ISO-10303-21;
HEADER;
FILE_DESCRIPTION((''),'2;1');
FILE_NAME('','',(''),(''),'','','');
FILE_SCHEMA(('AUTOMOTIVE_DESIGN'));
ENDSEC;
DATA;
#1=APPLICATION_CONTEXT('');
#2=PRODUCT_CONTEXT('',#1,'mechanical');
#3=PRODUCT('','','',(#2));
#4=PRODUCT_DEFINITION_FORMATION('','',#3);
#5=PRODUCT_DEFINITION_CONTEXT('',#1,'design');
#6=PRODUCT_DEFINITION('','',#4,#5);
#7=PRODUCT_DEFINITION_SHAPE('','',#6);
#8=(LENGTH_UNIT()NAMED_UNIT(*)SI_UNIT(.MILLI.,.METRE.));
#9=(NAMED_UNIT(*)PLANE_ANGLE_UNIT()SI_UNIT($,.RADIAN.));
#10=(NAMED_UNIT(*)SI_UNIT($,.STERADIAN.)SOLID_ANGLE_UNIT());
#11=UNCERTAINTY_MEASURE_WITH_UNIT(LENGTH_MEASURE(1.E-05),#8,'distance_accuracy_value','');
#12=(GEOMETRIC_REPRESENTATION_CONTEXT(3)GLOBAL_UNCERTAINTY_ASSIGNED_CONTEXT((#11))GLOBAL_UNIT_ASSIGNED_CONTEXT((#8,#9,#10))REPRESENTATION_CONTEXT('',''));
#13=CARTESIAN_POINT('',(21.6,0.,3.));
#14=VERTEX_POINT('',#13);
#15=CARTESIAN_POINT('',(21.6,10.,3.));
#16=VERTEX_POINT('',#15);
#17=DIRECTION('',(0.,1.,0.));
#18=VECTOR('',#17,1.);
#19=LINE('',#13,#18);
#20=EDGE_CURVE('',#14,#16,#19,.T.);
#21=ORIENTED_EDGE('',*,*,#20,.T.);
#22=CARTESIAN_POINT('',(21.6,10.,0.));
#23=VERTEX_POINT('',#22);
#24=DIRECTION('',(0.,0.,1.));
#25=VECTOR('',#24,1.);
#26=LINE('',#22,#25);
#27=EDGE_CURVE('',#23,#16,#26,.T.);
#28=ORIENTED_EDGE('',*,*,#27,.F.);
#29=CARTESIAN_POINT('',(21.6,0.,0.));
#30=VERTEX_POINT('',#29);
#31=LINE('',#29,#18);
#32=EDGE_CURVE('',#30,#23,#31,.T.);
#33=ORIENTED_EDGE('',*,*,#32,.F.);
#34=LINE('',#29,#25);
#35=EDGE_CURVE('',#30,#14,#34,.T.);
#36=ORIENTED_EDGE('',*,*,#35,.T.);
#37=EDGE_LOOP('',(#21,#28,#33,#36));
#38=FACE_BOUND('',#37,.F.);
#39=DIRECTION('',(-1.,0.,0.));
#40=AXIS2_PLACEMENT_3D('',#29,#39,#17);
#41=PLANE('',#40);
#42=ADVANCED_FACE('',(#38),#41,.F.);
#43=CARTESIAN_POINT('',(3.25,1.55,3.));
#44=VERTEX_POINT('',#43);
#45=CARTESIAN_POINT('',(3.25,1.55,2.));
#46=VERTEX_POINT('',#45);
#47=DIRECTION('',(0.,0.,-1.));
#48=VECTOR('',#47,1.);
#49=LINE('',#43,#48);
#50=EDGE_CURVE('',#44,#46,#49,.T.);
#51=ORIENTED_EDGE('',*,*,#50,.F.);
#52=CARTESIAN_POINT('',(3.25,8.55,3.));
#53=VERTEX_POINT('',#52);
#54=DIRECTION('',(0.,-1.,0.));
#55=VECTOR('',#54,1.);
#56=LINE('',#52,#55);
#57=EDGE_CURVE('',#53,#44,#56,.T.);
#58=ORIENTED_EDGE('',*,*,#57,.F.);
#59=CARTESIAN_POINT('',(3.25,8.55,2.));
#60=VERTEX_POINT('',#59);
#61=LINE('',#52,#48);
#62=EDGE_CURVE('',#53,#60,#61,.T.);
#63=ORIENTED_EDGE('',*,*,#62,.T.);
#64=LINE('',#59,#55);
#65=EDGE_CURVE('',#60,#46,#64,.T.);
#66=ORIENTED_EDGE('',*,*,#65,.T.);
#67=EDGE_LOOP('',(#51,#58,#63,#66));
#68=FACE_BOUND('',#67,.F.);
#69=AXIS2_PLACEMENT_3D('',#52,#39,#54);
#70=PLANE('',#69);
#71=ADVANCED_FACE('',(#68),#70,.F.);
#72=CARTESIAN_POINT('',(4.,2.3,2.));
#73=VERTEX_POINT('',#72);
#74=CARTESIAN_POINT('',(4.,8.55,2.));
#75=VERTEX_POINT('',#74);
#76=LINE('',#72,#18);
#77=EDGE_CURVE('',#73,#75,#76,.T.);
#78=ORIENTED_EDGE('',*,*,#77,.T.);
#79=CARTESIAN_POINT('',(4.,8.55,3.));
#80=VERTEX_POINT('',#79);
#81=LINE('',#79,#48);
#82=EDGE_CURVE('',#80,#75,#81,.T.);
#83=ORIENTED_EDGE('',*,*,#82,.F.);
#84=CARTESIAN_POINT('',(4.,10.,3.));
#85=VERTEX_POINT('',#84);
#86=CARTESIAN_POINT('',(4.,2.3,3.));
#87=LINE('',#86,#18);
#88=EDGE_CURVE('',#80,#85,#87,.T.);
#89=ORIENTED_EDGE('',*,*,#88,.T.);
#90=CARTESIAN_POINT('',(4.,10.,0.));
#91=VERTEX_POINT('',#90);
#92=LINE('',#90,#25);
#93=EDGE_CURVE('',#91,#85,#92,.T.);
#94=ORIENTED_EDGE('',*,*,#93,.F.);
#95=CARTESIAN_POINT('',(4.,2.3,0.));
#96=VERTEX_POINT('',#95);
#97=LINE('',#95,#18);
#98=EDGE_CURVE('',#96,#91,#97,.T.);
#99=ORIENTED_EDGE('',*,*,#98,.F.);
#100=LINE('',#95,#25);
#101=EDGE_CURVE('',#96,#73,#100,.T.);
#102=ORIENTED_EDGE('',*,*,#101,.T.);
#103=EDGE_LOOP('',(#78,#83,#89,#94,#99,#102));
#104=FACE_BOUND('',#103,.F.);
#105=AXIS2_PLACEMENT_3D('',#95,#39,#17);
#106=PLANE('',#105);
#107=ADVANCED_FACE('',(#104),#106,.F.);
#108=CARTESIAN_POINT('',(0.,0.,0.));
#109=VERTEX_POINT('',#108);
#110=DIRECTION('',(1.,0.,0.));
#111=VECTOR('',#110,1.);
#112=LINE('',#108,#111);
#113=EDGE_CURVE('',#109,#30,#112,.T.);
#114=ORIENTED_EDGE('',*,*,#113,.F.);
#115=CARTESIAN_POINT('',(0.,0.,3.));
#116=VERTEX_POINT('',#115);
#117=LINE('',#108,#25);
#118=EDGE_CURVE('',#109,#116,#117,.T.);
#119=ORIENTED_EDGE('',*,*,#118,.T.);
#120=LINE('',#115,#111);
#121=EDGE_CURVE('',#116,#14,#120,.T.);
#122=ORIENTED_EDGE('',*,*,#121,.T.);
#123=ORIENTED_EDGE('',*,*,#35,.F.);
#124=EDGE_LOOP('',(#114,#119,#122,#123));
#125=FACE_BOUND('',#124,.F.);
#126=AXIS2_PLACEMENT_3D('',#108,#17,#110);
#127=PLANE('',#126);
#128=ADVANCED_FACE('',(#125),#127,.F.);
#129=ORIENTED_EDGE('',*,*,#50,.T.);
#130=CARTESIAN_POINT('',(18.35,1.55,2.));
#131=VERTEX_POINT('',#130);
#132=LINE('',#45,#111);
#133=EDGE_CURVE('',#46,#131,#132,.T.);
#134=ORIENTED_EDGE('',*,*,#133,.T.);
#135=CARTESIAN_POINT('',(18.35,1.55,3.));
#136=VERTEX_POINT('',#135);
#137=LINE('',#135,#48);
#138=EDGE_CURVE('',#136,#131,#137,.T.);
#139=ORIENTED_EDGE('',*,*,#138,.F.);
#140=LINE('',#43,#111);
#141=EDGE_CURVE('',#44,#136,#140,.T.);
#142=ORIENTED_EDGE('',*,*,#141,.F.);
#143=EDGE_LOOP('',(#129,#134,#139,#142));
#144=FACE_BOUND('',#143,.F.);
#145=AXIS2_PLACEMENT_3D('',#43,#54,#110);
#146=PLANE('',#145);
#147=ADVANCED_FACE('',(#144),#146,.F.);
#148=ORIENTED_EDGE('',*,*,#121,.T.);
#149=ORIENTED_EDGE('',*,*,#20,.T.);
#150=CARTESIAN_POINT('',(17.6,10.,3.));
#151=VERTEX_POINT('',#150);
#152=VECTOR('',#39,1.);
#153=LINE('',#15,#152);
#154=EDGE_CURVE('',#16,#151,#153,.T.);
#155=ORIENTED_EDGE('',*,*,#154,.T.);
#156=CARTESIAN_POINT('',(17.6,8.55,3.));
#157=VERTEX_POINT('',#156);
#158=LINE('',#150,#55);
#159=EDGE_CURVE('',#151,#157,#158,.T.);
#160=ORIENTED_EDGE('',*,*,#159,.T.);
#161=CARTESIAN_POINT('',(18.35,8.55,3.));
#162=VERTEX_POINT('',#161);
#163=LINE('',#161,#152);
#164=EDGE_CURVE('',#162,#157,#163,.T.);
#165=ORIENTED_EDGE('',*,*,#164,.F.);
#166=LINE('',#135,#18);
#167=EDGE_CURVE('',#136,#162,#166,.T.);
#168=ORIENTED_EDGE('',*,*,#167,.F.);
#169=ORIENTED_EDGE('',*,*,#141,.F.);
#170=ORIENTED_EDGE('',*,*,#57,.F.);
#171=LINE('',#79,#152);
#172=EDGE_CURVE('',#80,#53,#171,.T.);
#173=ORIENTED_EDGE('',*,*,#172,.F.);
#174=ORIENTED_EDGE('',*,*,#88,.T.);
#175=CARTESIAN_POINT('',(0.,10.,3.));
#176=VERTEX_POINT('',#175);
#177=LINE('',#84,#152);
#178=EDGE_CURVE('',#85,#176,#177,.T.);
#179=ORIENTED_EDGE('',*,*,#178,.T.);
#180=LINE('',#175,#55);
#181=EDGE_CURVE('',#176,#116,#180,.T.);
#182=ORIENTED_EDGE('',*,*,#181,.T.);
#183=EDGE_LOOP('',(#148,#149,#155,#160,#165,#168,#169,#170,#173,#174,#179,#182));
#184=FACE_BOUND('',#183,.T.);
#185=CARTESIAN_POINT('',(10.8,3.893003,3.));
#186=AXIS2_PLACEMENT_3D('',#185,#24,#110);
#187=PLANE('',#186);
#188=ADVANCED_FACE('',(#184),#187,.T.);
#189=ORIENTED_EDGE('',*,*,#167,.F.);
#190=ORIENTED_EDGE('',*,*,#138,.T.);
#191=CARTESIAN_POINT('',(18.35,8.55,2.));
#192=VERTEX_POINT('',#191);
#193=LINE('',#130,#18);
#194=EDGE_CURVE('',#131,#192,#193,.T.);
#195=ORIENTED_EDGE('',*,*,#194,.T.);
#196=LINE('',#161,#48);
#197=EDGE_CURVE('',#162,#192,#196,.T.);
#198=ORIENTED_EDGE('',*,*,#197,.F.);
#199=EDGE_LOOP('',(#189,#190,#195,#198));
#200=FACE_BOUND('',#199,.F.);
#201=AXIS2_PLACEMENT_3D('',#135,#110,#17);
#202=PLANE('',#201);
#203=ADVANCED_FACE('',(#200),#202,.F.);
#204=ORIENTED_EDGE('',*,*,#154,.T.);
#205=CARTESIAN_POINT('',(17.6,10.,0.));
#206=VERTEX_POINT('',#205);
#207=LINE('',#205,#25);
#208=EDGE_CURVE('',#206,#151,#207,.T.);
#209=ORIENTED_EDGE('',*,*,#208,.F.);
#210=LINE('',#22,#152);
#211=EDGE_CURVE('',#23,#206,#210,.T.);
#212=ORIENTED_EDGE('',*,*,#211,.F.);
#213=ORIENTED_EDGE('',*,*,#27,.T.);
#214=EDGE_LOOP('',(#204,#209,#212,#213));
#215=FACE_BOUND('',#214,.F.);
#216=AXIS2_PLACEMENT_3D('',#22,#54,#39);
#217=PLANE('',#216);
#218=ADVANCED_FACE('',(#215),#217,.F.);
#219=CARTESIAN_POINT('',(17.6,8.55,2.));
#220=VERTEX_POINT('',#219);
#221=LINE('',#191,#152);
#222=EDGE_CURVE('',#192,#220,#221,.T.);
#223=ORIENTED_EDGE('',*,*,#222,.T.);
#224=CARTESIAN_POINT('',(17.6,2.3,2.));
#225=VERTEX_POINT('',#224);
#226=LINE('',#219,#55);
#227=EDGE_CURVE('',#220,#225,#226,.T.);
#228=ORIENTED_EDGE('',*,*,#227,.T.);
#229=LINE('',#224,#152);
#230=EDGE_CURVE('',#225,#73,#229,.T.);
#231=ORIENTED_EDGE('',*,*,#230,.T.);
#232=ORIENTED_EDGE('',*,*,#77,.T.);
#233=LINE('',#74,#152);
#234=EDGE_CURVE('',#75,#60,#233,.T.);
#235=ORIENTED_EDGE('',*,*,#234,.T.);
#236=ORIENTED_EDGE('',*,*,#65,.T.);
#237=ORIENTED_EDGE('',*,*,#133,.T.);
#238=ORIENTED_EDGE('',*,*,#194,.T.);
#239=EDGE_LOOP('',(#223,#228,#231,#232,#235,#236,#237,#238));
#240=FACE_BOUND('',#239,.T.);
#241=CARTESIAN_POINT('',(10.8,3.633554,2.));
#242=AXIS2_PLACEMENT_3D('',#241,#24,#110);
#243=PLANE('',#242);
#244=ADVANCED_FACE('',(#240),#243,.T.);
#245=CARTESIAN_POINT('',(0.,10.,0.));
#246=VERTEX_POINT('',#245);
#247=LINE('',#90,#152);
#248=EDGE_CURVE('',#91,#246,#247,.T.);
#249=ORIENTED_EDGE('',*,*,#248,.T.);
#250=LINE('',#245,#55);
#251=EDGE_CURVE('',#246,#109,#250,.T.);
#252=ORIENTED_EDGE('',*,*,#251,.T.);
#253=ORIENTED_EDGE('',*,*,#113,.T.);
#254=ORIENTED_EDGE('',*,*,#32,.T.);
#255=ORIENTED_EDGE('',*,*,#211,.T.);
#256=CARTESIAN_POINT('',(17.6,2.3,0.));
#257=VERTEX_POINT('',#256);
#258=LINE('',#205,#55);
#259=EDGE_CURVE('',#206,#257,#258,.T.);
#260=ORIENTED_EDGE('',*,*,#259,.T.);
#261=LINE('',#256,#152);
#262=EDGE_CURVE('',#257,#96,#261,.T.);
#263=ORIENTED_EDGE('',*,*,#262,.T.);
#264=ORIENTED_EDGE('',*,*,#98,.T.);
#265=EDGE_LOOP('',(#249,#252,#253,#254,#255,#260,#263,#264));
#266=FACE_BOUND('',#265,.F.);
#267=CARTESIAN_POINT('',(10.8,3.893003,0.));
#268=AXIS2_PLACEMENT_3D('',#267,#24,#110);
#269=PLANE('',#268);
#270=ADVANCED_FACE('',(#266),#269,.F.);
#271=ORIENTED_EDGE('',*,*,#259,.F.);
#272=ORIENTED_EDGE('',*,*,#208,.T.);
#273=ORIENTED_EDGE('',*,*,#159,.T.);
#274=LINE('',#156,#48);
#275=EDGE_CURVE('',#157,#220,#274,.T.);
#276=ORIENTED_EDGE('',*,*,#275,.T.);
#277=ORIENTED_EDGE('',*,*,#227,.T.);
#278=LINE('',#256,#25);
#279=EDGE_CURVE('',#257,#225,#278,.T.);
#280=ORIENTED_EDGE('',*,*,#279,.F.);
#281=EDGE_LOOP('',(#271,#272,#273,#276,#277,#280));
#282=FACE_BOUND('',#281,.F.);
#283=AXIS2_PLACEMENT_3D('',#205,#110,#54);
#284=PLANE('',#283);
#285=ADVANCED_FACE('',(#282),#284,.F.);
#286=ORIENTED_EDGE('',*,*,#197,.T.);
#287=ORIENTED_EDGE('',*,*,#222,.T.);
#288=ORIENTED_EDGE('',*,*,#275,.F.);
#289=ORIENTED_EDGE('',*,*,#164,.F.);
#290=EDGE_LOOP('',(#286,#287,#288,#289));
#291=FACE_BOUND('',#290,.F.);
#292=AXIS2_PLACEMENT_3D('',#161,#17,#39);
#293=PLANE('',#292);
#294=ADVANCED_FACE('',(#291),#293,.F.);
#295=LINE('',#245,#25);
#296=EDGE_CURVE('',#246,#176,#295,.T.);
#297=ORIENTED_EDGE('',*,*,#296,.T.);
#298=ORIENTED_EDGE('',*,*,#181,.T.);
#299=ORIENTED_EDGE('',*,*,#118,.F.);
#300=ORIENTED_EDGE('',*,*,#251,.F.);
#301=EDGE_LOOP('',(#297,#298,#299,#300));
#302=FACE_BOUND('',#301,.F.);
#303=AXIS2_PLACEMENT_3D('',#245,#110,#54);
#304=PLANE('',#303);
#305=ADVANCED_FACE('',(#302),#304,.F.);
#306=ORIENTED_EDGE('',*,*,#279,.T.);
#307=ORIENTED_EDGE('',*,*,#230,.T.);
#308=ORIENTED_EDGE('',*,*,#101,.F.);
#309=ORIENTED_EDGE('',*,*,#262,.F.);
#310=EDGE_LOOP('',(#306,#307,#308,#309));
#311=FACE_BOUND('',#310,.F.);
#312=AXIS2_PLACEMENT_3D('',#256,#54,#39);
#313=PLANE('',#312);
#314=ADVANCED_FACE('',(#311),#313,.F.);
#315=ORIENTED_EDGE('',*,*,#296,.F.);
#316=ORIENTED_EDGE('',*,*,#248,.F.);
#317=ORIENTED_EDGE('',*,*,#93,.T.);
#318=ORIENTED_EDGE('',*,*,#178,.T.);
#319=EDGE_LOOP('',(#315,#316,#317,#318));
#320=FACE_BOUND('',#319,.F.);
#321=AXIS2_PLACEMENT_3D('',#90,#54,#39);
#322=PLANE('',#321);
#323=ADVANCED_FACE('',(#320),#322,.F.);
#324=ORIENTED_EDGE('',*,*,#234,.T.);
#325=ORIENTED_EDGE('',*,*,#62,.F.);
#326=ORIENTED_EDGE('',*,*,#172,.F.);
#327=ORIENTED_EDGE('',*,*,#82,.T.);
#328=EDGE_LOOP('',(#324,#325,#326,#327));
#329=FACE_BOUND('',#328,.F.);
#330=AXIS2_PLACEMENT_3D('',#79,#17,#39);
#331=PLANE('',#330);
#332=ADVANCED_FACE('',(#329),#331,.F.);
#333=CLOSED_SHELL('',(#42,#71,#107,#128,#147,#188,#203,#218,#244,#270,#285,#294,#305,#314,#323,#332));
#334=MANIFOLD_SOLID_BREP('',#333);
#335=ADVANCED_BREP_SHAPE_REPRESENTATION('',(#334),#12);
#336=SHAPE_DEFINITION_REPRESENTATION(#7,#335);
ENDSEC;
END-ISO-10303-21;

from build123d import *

# Parameters (mm, degrees)
F1_DEPTH = 3
F3_DEPTH = 1


with BuildPart() as f1:
    # F0 (on Top) → F1 (new body)
    with BuildSketch(Plane.XY):
        Polygon((0, 10), (0, 0), (21.6, 0), (21.6, 10), (17.6, 10), (17.6, 2.3), (4, 2.3), (4, 10), align=None)
    extrude(amount=F1_DEPTH)

    # F2 (on face) → F3 (cut)
    with BuildSketch(Plane.XY.offset(3)):
        Polygon((4, 2.3), (4, 8.55), (3.25, 8.55), (3.25, 1.55), (18.35, 1.55), (18.35, 8.55), (17.6, 8.55), (17.6, 2.3), align=None)
    extrude(amount=-F3_DEPTH, mode=Mode.SUBTRACT)


solid = f1.part
